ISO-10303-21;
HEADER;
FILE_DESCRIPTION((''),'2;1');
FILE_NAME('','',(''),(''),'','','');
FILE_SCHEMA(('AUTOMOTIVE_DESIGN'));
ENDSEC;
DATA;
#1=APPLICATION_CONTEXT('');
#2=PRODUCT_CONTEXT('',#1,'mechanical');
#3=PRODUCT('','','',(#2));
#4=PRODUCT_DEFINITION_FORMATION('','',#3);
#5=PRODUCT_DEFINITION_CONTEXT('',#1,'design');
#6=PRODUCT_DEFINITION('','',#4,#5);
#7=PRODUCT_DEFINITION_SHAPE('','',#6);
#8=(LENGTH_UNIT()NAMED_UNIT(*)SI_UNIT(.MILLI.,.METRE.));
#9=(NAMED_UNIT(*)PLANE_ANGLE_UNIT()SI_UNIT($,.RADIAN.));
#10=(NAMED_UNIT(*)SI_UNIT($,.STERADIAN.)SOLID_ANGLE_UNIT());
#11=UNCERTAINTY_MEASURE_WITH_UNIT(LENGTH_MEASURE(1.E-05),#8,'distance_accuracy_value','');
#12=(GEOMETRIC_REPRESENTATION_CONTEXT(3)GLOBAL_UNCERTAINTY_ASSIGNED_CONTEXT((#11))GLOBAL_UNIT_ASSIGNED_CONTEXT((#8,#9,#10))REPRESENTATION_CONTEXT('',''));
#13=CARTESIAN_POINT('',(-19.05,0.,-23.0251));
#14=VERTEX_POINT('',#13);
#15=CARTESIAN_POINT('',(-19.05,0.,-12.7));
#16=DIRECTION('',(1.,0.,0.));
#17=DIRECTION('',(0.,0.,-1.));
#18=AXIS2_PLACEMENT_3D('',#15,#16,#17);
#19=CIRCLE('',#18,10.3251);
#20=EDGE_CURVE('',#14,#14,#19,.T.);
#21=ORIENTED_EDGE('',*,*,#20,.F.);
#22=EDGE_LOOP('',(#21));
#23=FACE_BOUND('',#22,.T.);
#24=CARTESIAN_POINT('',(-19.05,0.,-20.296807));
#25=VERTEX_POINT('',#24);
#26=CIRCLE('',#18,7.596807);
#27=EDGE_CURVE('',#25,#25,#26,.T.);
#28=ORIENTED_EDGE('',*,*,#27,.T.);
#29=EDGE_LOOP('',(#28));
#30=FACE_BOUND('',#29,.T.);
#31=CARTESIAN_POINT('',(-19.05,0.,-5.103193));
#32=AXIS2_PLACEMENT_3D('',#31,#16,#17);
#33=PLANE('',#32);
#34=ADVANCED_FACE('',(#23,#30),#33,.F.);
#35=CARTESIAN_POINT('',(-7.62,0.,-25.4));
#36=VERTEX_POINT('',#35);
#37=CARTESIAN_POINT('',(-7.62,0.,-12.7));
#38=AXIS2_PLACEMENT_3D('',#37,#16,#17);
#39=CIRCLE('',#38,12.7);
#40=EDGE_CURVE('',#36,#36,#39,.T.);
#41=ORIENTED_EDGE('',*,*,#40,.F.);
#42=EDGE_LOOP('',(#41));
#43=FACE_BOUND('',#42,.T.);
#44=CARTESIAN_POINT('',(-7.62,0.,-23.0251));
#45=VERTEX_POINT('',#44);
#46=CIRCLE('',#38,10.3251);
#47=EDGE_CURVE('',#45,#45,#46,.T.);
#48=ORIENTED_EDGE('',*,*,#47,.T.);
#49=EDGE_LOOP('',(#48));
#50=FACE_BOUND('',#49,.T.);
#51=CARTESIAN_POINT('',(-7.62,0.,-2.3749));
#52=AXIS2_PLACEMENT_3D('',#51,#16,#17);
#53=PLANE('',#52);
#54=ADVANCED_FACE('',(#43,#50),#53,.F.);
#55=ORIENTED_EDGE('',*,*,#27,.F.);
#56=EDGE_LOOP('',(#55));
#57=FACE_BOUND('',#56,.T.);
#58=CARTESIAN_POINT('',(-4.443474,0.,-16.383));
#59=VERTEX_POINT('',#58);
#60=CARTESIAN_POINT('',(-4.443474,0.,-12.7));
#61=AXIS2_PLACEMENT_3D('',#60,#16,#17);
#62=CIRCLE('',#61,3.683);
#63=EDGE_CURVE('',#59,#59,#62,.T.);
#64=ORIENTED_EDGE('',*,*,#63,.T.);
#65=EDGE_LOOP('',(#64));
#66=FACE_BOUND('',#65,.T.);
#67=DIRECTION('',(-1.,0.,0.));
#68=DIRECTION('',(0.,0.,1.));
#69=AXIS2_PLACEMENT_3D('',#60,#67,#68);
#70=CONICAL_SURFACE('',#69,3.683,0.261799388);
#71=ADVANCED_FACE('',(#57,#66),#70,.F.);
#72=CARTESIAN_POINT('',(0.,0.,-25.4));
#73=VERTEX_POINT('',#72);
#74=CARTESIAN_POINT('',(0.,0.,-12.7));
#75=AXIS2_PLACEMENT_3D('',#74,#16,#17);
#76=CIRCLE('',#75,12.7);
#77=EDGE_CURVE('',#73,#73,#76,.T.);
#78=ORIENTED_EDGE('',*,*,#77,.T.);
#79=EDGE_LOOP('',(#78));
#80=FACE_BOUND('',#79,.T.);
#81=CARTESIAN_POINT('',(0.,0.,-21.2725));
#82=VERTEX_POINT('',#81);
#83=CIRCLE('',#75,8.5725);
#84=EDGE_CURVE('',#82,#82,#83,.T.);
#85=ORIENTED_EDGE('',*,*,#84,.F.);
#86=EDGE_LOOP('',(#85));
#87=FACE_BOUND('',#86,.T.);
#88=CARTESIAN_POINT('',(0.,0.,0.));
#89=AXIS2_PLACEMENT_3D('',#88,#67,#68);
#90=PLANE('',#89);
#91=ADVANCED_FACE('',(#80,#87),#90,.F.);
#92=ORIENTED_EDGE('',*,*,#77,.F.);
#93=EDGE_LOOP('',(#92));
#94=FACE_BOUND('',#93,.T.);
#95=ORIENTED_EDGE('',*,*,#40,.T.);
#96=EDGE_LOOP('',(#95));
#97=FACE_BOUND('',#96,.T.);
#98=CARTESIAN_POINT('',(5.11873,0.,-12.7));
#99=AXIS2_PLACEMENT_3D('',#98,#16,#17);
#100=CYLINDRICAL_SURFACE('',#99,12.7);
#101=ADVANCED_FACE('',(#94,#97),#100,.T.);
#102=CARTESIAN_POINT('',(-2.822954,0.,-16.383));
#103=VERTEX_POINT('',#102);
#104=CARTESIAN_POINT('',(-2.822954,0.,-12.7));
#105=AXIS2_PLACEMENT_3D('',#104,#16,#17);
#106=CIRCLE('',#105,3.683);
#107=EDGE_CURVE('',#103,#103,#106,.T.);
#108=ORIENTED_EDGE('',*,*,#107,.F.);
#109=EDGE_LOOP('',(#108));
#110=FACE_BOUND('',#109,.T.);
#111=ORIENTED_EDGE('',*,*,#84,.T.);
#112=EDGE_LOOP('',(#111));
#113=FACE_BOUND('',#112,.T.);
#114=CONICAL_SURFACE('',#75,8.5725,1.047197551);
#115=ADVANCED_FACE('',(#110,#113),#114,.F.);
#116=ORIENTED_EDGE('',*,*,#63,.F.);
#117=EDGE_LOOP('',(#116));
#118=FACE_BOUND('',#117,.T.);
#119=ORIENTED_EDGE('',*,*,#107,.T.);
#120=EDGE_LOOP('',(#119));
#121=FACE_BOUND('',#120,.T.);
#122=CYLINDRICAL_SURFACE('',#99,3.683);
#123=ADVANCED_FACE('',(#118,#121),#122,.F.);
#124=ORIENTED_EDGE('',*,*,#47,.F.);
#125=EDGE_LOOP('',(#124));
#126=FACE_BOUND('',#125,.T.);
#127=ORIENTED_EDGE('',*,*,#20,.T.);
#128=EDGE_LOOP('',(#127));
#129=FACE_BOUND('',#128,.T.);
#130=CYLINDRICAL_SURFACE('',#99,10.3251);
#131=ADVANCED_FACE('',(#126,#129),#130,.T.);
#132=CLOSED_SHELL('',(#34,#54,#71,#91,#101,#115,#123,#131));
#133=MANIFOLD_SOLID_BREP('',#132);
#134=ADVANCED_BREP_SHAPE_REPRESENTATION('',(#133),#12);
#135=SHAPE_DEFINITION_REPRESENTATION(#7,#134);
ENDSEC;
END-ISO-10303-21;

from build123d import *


with BuildPart() as part:
    # Sketch1 → Revolve1 (revolve)
    with BuildSketch(Plane(origin=(0, 0, 0), x_dir=(1, 0, 0), z_dir=(0, 1, 0)), mode=Mode.PRIVATE) as revolve1_sk:
        Polygon((0, 0), (0, 4.1275), (-2.822954141, 9.017), (-4.443474141, 9.017), (-19.05, 5.103193192), (-19.05, 2.3749), (-7.62, 2.3749), (-7.62, 0), align=None)
    revolve(revolve1_sk.sketch.rotate(Axis((5.118729701, 0, -12.7), (-1, 0, 0)), 180), axis=Axis((5.118729701, 0, -12.7), (-1, 0, 0)))


solid = part.part
